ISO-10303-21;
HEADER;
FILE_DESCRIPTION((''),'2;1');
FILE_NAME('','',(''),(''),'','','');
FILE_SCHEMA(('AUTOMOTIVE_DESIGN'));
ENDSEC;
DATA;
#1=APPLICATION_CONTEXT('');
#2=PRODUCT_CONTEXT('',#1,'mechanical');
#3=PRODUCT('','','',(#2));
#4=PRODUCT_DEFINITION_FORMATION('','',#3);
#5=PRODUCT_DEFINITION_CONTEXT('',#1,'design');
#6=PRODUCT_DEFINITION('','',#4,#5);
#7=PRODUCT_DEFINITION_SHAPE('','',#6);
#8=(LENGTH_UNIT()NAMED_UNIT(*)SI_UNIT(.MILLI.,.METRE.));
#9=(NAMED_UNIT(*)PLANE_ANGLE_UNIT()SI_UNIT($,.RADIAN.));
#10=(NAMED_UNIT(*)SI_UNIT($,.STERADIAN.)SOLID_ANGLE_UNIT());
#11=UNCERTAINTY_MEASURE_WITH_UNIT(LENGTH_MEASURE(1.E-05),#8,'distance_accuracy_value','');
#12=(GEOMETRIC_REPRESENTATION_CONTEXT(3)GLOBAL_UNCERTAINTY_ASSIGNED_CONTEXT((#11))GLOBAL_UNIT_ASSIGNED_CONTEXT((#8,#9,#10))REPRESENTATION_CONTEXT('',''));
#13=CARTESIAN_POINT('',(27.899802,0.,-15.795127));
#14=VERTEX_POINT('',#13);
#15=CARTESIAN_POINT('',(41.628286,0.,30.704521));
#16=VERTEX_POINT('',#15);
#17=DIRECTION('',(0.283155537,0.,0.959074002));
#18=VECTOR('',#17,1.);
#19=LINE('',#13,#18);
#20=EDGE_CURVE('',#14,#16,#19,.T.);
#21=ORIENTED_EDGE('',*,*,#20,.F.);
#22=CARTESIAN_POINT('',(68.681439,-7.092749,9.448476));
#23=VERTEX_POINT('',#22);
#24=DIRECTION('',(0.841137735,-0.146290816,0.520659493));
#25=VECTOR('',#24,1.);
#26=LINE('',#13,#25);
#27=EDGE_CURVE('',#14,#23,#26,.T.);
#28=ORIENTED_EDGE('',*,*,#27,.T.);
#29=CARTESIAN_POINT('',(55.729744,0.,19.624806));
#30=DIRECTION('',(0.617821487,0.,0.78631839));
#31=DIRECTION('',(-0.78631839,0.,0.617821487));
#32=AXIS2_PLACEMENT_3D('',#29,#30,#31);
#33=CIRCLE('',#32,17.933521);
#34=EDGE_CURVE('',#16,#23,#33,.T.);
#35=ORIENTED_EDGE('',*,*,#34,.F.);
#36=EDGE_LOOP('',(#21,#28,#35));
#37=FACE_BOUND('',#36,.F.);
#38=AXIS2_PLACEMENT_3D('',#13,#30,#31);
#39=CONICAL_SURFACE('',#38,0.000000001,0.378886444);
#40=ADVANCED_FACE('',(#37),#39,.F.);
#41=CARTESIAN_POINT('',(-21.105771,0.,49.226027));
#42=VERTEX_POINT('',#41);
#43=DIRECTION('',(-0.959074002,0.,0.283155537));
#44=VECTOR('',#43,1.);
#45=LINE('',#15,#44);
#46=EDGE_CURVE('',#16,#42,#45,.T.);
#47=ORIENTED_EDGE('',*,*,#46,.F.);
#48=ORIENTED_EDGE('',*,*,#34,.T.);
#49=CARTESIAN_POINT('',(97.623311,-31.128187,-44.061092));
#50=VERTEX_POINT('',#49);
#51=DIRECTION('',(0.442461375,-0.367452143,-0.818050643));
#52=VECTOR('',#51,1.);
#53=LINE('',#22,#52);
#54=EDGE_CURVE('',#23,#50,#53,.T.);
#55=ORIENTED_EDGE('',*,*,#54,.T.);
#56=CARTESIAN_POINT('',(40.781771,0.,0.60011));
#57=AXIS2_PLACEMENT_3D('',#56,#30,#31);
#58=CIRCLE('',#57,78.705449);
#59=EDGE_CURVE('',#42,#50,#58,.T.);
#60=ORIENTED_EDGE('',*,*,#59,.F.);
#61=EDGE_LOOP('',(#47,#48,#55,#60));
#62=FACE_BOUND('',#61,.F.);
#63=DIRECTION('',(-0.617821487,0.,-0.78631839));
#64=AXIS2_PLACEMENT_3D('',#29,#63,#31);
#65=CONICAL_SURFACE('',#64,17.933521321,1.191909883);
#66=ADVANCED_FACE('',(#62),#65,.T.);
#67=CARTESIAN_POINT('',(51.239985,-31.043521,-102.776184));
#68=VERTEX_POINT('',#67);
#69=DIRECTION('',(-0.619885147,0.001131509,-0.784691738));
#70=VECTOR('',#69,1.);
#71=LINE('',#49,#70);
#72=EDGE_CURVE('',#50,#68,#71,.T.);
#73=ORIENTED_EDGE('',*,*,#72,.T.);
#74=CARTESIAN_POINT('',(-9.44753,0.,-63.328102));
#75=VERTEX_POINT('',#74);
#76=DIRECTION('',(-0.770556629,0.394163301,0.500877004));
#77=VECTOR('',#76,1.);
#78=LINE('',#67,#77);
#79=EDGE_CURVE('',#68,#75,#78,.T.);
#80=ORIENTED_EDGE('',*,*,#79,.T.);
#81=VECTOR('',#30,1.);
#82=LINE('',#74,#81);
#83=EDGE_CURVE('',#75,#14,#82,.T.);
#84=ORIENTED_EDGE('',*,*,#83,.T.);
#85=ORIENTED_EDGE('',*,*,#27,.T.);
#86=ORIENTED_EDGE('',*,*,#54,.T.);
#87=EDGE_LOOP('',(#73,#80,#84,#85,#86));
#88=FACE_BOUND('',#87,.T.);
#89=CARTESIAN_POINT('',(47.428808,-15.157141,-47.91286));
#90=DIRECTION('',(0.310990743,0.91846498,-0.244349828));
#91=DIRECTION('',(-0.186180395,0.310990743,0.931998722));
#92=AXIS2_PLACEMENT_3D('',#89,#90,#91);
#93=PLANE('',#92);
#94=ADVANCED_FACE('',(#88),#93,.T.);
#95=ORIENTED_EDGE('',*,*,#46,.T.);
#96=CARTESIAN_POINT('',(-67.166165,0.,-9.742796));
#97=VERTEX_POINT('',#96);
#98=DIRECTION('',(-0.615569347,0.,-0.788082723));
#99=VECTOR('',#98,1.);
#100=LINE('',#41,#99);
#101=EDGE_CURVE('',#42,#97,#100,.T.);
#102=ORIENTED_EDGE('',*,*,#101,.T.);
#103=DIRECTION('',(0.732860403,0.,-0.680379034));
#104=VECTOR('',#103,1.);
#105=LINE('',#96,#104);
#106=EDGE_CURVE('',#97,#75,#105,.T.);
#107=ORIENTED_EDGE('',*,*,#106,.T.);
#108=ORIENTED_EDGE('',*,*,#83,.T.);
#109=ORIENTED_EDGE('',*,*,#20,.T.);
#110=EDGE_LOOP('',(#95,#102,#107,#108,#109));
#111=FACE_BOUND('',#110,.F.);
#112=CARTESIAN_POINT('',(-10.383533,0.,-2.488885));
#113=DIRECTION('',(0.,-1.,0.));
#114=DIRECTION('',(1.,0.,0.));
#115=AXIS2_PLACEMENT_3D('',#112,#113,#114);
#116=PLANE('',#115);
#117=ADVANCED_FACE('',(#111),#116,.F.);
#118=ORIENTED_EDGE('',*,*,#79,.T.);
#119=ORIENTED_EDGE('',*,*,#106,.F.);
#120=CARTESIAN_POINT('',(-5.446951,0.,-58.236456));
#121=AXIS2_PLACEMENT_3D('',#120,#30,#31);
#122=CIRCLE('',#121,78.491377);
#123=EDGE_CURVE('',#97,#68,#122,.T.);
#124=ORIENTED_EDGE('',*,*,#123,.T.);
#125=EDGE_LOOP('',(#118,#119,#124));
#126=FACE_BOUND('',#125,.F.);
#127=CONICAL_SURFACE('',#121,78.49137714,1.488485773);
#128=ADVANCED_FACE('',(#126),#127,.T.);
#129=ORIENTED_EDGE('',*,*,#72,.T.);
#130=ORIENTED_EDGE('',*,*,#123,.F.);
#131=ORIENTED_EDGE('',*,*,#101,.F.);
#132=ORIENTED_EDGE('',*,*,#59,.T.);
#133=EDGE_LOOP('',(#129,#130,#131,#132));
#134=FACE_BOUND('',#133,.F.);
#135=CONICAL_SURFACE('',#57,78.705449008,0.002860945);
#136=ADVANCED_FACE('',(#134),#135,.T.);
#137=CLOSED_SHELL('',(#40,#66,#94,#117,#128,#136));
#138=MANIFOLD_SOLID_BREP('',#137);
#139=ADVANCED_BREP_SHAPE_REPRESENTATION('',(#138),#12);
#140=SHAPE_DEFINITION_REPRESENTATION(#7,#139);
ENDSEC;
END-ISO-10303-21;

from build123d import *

# Parameters (mm, degrees)
F1_ANGLE = 156.7026942029


with BuildPart() as f1:
    # F0 (on Front) → F1 (revolve)
    with BuildSketch(Plane.XZ):
        Polygon((-9.447529912, -63.328102231), (27.8998017311, -15.7951265574), (41.6282862425, 30.7045206428), (-21.1057709019, 49.2260274434), (-67.1661645174, -9.7427964211), align=None)
    revolve(axis=Axis((9.2261359096, 0, -39.5616143942), (0.6178214866, 0, 0.7863183901)), revolution_arc=F1_ANGLE)


solid = f1.part
